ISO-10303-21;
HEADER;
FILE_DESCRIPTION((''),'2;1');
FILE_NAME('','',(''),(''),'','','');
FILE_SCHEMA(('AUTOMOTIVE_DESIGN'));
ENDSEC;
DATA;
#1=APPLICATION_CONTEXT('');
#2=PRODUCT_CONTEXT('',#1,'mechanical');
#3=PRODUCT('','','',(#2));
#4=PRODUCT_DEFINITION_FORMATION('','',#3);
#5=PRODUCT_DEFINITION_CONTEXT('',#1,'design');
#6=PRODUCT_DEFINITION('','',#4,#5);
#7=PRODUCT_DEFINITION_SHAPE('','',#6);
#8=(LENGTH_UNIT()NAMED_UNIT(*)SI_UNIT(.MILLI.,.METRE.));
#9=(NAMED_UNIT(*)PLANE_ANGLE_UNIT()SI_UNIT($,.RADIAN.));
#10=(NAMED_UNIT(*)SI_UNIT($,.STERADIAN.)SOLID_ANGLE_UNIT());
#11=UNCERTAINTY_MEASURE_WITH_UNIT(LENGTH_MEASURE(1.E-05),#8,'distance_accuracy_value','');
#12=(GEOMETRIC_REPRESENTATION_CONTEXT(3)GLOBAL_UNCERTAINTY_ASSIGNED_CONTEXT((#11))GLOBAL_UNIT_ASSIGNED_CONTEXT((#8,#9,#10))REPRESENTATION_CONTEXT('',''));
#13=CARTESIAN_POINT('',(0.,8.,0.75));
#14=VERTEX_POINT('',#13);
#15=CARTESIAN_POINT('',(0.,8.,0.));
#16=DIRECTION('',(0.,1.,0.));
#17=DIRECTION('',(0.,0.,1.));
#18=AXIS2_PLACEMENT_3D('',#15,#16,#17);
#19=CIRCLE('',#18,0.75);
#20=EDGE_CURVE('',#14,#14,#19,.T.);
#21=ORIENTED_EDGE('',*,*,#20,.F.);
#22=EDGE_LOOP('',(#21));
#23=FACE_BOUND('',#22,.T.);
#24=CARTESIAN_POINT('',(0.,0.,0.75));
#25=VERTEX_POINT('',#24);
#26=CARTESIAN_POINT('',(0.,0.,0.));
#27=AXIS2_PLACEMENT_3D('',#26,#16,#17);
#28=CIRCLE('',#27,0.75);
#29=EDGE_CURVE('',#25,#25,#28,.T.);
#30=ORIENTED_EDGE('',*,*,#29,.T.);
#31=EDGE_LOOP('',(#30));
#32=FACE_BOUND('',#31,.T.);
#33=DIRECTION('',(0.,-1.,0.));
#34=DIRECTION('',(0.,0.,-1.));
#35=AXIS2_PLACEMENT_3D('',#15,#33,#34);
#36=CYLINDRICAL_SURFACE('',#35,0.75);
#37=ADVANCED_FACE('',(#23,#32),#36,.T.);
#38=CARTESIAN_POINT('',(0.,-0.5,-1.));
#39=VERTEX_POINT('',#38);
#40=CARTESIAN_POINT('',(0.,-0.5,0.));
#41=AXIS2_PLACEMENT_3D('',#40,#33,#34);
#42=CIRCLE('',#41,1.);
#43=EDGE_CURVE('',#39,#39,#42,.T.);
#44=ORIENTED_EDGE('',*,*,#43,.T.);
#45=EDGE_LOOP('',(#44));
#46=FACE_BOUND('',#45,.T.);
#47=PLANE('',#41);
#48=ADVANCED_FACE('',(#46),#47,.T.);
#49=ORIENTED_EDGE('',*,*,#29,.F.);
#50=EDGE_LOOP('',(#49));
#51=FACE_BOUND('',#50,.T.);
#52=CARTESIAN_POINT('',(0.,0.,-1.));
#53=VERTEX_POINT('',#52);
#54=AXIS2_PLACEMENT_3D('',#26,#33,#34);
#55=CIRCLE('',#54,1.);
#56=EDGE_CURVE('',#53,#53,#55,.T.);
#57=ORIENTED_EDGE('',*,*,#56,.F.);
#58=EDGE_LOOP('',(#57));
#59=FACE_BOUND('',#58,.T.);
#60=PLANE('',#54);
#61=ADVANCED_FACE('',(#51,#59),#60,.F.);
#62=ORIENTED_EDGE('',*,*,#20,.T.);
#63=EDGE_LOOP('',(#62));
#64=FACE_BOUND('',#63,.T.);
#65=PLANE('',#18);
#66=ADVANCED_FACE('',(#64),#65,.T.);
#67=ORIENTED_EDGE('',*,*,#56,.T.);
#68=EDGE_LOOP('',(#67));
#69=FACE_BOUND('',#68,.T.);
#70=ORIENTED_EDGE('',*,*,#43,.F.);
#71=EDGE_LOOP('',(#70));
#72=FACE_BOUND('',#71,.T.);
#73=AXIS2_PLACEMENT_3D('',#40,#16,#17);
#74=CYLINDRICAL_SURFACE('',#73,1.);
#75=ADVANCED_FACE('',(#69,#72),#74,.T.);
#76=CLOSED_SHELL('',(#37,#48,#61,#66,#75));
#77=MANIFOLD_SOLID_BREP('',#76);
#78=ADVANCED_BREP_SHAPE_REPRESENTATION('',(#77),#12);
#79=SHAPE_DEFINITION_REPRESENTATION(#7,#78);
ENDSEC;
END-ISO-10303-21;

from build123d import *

# Parameters (mm, degrees)
SKETCH_2_R      = 0.75
EXTRUDE_1_DEPTH = 8
SKETCH_3_R      = 1
EXTRUDE_2_DEPTH = 0.5


with BuildPart() as part:
    # 草图2 → 凸台-拉伸1 (new body)
    with BuildSketch(Plane(origin=(0, 0, 0), x_dir=(1, 0, 0), z_dir=(0, 1, 0))):
        Circle(SKETCH_2_R)
    extrude(amount=EXTRUDE_1_DEPTH)

    # 草图3 → 凸台-拉伸2 (add)
    with BuildSketch(Plane.XZ):
        Circle(SKETCH_3_R)
    extrude(amount=EXTRUDE_2_DEPTH)


solid = part.part
